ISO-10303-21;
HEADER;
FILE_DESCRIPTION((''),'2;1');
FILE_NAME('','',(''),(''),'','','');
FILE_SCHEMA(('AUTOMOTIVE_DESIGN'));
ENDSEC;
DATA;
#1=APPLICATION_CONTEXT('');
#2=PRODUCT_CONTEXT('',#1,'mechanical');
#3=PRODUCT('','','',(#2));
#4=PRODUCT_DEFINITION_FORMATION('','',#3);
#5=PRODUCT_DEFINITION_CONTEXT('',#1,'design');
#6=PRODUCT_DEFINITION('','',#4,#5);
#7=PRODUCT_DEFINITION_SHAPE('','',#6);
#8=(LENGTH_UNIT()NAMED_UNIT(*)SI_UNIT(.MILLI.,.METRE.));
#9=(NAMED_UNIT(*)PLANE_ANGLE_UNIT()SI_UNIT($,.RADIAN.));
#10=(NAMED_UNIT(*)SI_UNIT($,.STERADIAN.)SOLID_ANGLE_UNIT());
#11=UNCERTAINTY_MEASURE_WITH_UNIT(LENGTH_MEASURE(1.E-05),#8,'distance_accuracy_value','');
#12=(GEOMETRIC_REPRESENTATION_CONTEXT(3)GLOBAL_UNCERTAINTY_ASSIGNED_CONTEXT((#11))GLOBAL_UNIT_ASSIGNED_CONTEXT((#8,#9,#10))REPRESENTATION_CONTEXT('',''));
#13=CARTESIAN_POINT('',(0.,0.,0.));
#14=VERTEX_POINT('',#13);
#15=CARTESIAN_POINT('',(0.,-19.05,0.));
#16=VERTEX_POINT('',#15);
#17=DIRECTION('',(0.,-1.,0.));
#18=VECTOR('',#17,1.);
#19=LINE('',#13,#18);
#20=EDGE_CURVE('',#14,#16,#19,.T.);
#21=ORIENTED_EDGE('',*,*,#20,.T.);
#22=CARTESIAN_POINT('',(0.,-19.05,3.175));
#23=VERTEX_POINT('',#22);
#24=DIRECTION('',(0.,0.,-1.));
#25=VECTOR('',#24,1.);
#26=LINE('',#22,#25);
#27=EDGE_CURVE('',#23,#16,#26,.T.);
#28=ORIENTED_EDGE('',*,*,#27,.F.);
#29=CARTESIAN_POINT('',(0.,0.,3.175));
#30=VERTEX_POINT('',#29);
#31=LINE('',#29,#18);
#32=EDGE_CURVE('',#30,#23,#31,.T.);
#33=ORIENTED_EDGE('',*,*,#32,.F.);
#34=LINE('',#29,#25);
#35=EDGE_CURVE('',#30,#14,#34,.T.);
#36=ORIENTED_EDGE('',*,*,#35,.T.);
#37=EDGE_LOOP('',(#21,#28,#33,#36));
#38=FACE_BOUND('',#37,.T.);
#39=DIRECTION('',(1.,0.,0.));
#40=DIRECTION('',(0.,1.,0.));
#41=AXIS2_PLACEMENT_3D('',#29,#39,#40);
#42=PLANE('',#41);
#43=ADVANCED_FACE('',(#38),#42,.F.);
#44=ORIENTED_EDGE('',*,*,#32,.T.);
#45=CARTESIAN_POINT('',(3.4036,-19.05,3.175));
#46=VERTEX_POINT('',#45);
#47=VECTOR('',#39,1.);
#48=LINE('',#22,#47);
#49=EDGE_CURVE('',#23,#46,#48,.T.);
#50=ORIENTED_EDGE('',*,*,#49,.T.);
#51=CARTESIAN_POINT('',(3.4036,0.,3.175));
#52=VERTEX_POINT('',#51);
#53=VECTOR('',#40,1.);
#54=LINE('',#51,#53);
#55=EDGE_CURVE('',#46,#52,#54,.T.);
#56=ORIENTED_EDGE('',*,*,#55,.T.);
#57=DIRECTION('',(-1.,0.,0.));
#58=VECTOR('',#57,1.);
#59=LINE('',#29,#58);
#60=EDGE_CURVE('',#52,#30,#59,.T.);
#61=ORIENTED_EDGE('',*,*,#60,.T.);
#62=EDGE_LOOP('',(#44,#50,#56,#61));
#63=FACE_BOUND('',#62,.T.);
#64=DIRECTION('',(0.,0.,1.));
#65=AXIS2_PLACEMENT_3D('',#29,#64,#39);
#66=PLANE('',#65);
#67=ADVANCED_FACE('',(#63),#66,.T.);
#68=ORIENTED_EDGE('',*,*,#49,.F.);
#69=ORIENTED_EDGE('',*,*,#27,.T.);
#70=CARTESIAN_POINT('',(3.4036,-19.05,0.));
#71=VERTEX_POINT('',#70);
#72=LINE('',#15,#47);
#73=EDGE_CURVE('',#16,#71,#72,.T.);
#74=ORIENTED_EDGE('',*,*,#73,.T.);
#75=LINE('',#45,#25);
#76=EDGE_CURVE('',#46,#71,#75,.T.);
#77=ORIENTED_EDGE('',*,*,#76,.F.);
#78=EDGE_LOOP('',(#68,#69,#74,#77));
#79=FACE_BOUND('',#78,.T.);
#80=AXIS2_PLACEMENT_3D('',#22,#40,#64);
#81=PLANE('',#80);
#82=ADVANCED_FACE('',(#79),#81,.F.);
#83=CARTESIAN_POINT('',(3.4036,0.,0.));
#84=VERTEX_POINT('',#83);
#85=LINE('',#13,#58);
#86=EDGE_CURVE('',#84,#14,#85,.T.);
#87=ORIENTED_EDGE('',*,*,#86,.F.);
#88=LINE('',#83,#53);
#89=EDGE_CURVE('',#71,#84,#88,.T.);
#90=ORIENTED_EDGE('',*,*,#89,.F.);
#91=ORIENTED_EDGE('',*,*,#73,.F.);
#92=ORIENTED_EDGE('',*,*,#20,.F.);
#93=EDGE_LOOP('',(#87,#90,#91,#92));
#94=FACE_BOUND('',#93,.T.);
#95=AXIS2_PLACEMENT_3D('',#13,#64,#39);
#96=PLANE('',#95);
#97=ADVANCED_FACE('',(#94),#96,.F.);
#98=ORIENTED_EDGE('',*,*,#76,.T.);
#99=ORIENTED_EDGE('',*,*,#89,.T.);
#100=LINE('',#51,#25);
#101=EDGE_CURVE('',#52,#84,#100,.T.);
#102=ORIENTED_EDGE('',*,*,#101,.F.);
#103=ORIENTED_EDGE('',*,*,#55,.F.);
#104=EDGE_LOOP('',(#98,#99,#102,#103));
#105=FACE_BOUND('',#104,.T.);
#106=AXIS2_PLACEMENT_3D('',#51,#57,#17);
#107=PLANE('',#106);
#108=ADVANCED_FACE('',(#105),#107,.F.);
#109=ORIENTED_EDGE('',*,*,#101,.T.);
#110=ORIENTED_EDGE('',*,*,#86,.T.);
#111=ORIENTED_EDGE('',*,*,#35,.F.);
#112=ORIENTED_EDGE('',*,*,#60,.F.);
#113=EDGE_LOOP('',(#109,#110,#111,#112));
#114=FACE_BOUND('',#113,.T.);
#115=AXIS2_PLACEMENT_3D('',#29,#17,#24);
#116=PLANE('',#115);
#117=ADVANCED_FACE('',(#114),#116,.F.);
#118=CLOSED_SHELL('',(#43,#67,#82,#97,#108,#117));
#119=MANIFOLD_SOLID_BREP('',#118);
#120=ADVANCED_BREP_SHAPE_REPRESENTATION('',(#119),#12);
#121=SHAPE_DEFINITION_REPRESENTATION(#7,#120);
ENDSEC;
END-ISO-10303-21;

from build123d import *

# Parameters (mm, degrees)
SKETCH1_W           = 3.4036
SKETCH1_H           = 19.05
BOSS_EXTRUDE1_DEPTH = 3.175


with BuildPart() as part:
    # Sketch1 → Boss-Extrude1 (new body)
    with BuildSketch(Plane.XY):
        with Locations((1.7018, -9.525)):
            Rectangle(SKETCH1_W, SKETCH1_H)
    extrude(amount=BOSS_EXTRUDE1_DEPTH)


solid = part.part
